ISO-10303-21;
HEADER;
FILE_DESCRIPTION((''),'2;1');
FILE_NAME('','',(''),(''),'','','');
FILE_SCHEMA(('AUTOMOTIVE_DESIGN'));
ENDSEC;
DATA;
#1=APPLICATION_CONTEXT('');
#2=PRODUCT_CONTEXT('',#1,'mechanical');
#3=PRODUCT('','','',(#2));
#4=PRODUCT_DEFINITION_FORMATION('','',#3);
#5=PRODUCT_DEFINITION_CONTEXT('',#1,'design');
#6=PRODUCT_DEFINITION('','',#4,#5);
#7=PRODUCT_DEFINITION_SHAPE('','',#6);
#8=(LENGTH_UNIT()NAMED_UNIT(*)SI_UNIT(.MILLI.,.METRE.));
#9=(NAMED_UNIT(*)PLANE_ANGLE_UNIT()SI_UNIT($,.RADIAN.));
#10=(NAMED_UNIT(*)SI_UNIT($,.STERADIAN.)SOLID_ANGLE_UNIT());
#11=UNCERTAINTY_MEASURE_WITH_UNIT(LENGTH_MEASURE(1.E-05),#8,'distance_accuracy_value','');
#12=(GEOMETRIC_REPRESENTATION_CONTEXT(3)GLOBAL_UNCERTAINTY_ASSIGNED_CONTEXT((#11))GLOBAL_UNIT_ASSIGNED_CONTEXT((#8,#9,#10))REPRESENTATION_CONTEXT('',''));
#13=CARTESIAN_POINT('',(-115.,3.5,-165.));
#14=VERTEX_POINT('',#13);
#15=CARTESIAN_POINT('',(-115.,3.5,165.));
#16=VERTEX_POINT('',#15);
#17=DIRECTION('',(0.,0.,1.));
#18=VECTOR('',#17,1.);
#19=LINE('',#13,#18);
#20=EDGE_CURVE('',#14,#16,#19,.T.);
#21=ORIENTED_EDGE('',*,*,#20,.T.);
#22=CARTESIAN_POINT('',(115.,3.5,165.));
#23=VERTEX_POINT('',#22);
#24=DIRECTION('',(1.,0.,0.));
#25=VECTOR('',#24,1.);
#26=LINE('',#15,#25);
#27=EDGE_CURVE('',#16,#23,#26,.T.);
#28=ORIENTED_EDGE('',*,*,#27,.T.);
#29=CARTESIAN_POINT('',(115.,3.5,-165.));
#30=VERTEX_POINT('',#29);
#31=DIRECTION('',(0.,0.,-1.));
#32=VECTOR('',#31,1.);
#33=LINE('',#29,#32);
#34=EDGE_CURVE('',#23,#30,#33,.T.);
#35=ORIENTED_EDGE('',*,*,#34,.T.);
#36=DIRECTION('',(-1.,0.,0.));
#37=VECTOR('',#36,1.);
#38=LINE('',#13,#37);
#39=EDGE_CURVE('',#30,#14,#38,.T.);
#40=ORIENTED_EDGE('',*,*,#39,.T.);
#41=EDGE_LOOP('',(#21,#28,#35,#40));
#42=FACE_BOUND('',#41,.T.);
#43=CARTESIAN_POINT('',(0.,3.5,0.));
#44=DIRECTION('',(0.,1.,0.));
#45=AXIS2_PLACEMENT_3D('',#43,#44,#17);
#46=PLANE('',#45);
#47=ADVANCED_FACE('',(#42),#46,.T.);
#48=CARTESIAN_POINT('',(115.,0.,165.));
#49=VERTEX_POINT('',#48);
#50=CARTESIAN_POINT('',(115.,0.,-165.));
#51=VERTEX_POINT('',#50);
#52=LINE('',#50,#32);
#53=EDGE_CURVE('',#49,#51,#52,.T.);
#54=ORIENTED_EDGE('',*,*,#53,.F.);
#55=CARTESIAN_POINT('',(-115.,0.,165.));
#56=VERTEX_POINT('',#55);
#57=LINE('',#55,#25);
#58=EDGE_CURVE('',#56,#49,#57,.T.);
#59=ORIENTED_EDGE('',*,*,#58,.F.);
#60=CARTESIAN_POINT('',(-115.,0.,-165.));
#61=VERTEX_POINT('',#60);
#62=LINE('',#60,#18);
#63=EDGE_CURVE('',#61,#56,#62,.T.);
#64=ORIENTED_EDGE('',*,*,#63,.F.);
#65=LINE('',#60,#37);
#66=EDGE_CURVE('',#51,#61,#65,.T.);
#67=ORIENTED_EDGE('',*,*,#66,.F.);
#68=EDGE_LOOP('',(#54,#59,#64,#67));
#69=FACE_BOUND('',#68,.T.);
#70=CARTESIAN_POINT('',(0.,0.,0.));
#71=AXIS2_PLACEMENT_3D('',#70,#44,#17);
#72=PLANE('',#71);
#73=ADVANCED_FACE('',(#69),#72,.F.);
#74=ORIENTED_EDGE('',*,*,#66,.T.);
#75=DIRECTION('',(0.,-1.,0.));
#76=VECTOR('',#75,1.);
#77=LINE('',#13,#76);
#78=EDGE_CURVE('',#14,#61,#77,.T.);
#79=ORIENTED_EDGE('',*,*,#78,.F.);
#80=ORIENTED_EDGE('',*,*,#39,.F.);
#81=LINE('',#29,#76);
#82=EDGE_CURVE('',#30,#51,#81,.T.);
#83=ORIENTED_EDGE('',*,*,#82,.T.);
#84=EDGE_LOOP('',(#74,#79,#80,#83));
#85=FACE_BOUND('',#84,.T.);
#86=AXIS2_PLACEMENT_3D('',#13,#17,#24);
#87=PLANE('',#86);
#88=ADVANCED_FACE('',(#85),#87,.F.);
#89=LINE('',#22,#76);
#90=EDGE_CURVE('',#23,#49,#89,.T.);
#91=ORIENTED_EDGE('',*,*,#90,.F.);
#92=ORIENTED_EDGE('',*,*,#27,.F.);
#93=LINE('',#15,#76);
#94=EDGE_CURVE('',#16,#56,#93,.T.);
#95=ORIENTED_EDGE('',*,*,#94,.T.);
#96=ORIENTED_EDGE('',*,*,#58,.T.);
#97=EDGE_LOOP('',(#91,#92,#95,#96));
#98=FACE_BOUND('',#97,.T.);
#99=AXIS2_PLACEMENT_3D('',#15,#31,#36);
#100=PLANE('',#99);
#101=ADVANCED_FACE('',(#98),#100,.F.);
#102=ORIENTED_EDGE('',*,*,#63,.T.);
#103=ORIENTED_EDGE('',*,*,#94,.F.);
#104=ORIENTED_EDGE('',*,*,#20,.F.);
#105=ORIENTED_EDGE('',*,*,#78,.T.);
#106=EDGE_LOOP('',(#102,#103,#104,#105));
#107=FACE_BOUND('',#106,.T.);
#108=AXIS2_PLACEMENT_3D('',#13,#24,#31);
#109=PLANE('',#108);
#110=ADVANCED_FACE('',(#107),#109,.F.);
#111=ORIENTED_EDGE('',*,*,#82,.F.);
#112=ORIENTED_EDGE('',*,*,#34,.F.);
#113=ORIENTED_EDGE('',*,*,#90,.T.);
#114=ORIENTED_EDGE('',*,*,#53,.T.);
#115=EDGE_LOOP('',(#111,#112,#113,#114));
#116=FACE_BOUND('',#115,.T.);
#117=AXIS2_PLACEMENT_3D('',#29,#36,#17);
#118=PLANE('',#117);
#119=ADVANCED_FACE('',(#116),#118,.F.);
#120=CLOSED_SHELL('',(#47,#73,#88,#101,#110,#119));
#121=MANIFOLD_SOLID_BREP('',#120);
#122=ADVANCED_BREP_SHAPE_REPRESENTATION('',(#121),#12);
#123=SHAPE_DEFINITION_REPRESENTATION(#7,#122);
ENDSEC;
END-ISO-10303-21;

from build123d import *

# Parameters (mm, degrees)
ESBO_O1_W                = 230
ESBO_O1_H                = 330
RESSALTO_EXTRUS_O1_DEPTH = 3.5


with BuildPart() as part:
    # Esboço1 → Ressalto-extrusão1 (new body)
    with BuildSketch(Plane(origin=(0, 0, 0), x_dir=(1, 0, 0), z_dir=(0, 1, 0))):
        Rectangle(ESBO_O1_W, ESBO_O1_H)
    extrude(amount=RESSALTO_EXTRUS_O1_DEPTH)


solid = part.part
